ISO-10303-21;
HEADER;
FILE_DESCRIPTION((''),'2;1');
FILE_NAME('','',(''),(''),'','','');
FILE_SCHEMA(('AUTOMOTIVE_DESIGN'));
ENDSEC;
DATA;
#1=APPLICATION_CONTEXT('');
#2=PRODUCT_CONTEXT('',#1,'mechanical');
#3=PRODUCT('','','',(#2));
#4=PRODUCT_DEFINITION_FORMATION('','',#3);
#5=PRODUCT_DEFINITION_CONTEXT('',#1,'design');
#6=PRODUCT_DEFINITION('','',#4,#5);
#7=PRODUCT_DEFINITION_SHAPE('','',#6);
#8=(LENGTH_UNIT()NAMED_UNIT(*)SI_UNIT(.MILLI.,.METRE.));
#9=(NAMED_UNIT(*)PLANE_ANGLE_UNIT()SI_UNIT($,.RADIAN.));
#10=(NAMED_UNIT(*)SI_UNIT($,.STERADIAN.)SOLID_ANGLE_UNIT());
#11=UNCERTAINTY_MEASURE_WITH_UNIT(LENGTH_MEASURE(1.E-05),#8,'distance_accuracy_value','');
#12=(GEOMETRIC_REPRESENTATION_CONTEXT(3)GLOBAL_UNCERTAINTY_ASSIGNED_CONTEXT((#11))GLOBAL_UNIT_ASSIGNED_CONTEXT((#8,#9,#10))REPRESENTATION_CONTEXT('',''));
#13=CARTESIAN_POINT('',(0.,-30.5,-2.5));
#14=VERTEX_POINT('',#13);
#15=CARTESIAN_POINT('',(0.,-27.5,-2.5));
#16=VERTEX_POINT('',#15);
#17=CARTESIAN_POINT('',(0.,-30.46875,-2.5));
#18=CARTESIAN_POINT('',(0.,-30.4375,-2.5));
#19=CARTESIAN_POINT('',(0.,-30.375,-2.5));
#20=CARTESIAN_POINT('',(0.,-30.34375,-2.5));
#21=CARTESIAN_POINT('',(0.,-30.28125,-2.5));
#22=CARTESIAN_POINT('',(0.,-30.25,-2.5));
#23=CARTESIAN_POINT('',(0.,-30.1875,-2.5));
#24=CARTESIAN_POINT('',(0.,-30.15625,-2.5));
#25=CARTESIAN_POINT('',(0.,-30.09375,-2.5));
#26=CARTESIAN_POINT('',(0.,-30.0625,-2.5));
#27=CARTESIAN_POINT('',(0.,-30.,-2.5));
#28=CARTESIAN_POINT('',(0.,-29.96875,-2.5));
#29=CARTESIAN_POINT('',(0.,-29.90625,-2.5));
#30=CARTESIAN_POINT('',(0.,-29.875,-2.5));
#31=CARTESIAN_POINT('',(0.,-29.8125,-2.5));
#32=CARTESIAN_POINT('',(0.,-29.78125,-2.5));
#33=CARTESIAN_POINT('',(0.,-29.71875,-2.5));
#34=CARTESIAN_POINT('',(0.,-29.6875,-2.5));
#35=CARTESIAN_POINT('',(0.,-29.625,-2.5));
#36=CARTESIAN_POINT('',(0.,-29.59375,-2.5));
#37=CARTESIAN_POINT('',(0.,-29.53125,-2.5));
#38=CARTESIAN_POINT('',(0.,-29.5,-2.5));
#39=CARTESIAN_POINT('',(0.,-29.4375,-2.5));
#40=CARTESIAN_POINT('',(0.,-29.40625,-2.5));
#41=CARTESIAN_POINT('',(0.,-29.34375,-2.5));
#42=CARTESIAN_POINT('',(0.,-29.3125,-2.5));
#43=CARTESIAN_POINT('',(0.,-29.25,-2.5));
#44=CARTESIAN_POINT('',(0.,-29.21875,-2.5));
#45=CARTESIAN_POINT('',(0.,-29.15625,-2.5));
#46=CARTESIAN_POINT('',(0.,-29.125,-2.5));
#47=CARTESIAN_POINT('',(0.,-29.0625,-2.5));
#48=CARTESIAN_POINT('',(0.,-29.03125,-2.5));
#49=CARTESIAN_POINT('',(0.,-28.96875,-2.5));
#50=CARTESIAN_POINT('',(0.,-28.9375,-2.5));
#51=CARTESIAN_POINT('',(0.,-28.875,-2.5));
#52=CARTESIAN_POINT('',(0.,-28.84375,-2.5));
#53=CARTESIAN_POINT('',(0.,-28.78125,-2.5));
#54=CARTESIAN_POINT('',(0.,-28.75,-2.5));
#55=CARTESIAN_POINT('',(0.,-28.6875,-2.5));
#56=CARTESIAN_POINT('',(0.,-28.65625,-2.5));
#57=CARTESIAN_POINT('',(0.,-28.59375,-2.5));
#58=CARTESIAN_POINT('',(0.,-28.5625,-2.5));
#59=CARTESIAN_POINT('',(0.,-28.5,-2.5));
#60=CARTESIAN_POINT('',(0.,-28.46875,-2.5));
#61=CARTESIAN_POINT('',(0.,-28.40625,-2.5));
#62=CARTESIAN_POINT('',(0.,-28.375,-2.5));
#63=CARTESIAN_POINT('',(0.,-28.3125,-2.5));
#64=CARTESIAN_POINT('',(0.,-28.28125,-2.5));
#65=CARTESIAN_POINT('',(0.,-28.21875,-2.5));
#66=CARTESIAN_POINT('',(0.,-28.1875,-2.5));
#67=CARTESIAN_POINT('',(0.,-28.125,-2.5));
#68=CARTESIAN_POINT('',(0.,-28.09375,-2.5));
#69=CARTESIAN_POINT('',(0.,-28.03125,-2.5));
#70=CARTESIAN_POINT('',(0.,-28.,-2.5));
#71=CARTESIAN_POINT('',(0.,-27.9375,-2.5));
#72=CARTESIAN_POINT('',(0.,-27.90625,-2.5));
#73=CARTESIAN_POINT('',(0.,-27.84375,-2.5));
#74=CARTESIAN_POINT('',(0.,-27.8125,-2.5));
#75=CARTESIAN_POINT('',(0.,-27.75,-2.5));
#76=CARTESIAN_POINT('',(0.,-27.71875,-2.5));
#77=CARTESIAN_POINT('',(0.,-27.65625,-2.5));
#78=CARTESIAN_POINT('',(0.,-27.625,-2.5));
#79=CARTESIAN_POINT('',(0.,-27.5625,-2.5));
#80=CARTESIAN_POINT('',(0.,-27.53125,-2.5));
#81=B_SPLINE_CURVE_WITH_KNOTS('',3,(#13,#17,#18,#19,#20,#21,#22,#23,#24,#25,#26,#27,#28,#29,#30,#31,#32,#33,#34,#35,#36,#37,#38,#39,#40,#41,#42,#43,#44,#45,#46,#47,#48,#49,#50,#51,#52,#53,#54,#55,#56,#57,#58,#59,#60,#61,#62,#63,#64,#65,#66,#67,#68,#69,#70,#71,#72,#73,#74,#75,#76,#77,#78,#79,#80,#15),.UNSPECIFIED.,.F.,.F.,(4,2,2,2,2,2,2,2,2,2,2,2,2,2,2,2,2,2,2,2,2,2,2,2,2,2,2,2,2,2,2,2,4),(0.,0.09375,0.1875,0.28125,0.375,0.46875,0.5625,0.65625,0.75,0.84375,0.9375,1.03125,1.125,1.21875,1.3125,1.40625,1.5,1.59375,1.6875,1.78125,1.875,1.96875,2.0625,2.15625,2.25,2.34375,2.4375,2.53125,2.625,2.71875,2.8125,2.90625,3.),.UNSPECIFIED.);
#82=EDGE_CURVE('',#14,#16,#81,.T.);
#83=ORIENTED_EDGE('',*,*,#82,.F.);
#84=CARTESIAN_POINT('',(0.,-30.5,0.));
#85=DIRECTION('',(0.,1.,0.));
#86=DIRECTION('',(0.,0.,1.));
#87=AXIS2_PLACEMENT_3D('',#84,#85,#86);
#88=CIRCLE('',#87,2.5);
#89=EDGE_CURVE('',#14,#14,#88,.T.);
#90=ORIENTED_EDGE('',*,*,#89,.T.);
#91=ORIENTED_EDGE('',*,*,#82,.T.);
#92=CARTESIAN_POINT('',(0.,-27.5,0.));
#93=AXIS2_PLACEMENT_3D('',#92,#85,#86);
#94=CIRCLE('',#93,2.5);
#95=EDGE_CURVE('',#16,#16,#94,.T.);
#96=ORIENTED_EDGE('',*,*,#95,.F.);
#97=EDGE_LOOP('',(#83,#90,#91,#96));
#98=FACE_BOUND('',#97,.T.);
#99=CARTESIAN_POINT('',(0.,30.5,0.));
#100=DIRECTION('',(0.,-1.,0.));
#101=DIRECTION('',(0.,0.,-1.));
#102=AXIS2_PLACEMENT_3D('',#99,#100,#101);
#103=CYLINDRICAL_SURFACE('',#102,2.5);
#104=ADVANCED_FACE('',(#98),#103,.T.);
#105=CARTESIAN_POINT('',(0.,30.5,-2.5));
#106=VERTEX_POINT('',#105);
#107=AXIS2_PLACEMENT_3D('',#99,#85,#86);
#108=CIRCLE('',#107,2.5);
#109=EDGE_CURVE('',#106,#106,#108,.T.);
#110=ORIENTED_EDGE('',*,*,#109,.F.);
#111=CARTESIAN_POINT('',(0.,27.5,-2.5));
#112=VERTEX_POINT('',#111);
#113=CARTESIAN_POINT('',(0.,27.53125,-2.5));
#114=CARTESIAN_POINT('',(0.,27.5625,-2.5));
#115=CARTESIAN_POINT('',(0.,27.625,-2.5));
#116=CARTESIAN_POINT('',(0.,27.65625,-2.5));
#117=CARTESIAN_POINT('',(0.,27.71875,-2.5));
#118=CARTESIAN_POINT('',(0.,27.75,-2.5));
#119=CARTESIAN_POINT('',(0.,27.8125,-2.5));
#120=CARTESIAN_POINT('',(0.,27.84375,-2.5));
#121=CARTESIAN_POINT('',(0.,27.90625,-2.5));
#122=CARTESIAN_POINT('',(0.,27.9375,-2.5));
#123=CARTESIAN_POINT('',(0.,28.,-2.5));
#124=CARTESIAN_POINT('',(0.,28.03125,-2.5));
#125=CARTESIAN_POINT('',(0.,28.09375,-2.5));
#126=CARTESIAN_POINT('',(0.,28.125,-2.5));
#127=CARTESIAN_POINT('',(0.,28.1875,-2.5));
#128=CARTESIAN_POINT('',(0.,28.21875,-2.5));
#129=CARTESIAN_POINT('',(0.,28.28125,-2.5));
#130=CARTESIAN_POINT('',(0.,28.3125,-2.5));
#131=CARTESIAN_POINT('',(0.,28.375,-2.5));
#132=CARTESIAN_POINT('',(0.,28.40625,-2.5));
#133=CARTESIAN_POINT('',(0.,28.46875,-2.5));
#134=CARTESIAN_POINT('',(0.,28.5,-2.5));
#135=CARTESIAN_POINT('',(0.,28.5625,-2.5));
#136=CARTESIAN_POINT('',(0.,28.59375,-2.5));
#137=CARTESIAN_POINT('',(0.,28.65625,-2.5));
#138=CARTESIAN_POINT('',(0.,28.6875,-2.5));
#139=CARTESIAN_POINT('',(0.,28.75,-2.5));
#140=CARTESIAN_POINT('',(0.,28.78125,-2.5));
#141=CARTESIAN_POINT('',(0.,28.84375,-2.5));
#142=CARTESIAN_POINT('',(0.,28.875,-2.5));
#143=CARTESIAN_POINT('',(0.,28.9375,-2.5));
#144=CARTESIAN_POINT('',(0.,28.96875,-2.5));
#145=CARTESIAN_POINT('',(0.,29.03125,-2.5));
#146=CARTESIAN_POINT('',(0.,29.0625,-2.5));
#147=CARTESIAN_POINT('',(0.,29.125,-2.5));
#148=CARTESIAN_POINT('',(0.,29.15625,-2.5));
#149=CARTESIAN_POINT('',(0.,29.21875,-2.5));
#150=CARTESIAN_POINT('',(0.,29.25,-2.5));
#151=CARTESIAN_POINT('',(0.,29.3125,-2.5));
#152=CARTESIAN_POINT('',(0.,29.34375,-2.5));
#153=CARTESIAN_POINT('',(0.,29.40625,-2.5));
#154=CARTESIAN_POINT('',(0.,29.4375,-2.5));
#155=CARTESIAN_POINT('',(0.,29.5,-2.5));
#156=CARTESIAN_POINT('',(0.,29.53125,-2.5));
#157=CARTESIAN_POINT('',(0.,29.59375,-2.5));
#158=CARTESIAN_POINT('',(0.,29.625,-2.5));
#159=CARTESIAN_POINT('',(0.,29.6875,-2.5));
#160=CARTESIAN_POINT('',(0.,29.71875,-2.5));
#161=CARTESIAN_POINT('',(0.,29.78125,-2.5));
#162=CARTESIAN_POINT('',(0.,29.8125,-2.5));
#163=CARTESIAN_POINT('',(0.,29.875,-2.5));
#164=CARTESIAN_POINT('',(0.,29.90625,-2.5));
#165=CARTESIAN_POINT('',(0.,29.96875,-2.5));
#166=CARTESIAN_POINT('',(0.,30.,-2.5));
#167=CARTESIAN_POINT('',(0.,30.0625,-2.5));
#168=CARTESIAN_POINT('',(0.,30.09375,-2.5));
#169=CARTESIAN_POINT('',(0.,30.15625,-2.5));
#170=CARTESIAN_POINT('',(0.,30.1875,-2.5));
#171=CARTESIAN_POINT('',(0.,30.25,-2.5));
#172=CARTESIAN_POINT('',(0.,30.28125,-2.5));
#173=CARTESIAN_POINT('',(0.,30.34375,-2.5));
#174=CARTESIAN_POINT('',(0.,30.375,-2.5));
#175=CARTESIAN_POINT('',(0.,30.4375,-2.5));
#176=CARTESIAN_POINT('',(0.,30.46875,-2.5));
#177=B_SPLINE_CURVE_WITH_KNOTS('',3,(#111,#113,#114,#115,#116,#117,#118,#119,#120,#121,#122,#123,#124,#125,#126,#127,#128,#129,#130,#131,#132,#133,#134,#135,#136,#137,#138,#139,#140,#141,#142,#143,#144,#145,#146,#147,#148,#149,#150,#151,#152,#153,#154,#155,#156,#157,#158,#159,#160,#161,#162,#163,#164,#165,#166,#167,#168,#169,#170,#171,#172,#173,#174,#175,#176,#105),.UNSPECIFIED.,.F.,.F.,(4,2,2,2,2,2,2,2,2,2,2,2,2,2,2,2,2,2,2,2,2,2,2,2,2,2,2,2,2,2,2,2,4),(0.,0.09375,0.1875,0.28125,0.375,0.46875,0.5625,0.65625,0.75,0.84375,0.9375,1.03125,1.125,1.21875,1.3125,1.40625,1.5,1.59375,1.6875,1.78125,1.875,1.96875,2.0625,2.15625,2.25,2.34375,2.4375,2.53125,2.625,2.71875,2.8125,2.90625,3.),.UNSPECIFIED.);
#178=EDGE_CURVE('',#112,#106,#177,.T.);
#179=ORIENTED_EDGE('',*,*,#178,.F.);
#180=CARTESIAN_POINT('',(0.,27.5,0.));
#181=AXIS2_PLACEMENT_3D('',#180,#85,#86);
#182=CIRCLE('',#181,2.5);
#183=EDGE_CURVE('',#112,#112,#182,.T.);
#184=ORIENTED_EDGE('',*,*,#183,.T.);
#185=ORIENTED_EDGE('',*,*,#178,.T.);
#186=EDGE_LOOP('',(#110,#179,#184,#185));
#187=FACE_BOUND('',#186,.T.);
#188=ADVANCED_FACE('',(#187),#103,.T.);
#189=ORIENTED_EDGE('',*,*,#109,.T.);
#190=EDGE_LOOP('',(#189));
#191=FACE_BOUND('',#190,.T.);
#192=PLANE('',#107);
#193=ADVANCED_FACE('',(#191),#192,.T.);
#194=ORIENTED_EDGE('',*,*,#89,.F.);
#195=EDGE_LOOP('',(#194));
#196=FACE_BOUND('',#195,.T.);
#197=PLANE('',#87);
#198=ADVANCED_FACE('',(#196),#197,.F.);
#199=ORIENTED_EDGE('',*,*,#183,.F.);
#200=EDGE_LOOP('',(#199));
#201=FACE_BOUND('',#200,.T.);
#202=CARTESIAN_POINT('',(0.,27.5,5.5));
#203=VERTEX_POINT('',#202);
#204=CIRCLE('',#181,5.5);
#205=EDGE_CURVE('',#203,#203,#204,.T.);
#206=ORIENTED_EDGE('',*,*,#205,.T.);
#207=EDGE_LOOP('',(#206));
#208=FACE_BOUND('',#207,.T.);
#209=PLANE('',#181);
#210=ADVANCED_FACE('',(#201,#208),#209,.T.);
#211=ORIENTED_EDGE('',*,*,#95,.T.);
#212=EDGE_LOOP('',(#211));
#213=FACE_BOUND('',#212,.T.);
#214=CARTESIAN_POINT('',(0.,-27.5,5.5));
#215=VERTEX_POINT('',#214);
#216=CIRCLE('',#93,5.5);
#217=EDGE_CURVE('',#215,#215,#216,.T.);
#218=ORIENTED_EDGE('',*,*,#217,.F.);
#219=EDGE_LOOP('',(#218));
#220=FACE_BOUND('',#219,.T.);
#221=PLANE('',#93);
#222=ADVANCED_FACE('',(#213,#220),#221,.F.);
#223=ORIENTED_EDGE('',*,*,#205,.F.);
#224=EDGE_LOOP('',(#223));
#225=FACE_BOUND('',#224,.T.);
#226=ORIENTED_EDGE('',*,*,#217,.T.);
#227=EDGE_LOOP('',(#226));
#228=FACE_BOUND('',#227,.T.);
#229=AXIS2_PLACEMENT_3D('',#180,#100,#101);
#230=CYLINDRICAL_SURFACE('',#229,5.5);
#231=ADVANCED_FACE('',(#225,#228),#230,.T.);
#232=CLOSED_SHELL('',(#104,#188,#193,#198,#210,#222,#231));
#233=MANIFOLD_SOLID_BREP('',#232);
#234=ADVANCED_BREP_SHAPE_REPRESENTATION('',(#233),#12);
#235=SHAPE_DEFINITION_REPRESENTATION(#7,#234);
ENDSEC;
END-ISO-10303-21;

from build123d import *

# Parameters (mm, degrees)
SKETCH_1_R      = 2.5
EXTRUDE_1_DEPTH = 30.5
SKETCH_2_R      = 5.5
EXTRUDE_2_DEPTH = 27.5


with BuildPart() as part:
    # 草图1 → 凸台-拉伸1 (new, symmetric)
    with BuildSketch(Plane(origin=(0, 0, 0), x_dir=(1, 0, 0), z_dir=(0, 1, 0))):
        with Locations(Location((0, 0, 0), (0, 0, 90))):
            Circle(SKETCH_1_R)
    extrude(amount=EXTRUDE_1_DEPTH, both=True)

    # 草图2 → 凸台-拉伸2 (add, symmetric)
    with BuildSketch(Plane(origin=(0, 0, 0), x_dir=(1, 0, 0), z_dir=(0, 1, 0))):
        with Locations(Location((0, 0, 0), (0, 0, 270))):
            Circle(SKETCH_2_R)
    extrude(amount=EXTRUDE_2_DEPTH, both=True)


solid = part.part
